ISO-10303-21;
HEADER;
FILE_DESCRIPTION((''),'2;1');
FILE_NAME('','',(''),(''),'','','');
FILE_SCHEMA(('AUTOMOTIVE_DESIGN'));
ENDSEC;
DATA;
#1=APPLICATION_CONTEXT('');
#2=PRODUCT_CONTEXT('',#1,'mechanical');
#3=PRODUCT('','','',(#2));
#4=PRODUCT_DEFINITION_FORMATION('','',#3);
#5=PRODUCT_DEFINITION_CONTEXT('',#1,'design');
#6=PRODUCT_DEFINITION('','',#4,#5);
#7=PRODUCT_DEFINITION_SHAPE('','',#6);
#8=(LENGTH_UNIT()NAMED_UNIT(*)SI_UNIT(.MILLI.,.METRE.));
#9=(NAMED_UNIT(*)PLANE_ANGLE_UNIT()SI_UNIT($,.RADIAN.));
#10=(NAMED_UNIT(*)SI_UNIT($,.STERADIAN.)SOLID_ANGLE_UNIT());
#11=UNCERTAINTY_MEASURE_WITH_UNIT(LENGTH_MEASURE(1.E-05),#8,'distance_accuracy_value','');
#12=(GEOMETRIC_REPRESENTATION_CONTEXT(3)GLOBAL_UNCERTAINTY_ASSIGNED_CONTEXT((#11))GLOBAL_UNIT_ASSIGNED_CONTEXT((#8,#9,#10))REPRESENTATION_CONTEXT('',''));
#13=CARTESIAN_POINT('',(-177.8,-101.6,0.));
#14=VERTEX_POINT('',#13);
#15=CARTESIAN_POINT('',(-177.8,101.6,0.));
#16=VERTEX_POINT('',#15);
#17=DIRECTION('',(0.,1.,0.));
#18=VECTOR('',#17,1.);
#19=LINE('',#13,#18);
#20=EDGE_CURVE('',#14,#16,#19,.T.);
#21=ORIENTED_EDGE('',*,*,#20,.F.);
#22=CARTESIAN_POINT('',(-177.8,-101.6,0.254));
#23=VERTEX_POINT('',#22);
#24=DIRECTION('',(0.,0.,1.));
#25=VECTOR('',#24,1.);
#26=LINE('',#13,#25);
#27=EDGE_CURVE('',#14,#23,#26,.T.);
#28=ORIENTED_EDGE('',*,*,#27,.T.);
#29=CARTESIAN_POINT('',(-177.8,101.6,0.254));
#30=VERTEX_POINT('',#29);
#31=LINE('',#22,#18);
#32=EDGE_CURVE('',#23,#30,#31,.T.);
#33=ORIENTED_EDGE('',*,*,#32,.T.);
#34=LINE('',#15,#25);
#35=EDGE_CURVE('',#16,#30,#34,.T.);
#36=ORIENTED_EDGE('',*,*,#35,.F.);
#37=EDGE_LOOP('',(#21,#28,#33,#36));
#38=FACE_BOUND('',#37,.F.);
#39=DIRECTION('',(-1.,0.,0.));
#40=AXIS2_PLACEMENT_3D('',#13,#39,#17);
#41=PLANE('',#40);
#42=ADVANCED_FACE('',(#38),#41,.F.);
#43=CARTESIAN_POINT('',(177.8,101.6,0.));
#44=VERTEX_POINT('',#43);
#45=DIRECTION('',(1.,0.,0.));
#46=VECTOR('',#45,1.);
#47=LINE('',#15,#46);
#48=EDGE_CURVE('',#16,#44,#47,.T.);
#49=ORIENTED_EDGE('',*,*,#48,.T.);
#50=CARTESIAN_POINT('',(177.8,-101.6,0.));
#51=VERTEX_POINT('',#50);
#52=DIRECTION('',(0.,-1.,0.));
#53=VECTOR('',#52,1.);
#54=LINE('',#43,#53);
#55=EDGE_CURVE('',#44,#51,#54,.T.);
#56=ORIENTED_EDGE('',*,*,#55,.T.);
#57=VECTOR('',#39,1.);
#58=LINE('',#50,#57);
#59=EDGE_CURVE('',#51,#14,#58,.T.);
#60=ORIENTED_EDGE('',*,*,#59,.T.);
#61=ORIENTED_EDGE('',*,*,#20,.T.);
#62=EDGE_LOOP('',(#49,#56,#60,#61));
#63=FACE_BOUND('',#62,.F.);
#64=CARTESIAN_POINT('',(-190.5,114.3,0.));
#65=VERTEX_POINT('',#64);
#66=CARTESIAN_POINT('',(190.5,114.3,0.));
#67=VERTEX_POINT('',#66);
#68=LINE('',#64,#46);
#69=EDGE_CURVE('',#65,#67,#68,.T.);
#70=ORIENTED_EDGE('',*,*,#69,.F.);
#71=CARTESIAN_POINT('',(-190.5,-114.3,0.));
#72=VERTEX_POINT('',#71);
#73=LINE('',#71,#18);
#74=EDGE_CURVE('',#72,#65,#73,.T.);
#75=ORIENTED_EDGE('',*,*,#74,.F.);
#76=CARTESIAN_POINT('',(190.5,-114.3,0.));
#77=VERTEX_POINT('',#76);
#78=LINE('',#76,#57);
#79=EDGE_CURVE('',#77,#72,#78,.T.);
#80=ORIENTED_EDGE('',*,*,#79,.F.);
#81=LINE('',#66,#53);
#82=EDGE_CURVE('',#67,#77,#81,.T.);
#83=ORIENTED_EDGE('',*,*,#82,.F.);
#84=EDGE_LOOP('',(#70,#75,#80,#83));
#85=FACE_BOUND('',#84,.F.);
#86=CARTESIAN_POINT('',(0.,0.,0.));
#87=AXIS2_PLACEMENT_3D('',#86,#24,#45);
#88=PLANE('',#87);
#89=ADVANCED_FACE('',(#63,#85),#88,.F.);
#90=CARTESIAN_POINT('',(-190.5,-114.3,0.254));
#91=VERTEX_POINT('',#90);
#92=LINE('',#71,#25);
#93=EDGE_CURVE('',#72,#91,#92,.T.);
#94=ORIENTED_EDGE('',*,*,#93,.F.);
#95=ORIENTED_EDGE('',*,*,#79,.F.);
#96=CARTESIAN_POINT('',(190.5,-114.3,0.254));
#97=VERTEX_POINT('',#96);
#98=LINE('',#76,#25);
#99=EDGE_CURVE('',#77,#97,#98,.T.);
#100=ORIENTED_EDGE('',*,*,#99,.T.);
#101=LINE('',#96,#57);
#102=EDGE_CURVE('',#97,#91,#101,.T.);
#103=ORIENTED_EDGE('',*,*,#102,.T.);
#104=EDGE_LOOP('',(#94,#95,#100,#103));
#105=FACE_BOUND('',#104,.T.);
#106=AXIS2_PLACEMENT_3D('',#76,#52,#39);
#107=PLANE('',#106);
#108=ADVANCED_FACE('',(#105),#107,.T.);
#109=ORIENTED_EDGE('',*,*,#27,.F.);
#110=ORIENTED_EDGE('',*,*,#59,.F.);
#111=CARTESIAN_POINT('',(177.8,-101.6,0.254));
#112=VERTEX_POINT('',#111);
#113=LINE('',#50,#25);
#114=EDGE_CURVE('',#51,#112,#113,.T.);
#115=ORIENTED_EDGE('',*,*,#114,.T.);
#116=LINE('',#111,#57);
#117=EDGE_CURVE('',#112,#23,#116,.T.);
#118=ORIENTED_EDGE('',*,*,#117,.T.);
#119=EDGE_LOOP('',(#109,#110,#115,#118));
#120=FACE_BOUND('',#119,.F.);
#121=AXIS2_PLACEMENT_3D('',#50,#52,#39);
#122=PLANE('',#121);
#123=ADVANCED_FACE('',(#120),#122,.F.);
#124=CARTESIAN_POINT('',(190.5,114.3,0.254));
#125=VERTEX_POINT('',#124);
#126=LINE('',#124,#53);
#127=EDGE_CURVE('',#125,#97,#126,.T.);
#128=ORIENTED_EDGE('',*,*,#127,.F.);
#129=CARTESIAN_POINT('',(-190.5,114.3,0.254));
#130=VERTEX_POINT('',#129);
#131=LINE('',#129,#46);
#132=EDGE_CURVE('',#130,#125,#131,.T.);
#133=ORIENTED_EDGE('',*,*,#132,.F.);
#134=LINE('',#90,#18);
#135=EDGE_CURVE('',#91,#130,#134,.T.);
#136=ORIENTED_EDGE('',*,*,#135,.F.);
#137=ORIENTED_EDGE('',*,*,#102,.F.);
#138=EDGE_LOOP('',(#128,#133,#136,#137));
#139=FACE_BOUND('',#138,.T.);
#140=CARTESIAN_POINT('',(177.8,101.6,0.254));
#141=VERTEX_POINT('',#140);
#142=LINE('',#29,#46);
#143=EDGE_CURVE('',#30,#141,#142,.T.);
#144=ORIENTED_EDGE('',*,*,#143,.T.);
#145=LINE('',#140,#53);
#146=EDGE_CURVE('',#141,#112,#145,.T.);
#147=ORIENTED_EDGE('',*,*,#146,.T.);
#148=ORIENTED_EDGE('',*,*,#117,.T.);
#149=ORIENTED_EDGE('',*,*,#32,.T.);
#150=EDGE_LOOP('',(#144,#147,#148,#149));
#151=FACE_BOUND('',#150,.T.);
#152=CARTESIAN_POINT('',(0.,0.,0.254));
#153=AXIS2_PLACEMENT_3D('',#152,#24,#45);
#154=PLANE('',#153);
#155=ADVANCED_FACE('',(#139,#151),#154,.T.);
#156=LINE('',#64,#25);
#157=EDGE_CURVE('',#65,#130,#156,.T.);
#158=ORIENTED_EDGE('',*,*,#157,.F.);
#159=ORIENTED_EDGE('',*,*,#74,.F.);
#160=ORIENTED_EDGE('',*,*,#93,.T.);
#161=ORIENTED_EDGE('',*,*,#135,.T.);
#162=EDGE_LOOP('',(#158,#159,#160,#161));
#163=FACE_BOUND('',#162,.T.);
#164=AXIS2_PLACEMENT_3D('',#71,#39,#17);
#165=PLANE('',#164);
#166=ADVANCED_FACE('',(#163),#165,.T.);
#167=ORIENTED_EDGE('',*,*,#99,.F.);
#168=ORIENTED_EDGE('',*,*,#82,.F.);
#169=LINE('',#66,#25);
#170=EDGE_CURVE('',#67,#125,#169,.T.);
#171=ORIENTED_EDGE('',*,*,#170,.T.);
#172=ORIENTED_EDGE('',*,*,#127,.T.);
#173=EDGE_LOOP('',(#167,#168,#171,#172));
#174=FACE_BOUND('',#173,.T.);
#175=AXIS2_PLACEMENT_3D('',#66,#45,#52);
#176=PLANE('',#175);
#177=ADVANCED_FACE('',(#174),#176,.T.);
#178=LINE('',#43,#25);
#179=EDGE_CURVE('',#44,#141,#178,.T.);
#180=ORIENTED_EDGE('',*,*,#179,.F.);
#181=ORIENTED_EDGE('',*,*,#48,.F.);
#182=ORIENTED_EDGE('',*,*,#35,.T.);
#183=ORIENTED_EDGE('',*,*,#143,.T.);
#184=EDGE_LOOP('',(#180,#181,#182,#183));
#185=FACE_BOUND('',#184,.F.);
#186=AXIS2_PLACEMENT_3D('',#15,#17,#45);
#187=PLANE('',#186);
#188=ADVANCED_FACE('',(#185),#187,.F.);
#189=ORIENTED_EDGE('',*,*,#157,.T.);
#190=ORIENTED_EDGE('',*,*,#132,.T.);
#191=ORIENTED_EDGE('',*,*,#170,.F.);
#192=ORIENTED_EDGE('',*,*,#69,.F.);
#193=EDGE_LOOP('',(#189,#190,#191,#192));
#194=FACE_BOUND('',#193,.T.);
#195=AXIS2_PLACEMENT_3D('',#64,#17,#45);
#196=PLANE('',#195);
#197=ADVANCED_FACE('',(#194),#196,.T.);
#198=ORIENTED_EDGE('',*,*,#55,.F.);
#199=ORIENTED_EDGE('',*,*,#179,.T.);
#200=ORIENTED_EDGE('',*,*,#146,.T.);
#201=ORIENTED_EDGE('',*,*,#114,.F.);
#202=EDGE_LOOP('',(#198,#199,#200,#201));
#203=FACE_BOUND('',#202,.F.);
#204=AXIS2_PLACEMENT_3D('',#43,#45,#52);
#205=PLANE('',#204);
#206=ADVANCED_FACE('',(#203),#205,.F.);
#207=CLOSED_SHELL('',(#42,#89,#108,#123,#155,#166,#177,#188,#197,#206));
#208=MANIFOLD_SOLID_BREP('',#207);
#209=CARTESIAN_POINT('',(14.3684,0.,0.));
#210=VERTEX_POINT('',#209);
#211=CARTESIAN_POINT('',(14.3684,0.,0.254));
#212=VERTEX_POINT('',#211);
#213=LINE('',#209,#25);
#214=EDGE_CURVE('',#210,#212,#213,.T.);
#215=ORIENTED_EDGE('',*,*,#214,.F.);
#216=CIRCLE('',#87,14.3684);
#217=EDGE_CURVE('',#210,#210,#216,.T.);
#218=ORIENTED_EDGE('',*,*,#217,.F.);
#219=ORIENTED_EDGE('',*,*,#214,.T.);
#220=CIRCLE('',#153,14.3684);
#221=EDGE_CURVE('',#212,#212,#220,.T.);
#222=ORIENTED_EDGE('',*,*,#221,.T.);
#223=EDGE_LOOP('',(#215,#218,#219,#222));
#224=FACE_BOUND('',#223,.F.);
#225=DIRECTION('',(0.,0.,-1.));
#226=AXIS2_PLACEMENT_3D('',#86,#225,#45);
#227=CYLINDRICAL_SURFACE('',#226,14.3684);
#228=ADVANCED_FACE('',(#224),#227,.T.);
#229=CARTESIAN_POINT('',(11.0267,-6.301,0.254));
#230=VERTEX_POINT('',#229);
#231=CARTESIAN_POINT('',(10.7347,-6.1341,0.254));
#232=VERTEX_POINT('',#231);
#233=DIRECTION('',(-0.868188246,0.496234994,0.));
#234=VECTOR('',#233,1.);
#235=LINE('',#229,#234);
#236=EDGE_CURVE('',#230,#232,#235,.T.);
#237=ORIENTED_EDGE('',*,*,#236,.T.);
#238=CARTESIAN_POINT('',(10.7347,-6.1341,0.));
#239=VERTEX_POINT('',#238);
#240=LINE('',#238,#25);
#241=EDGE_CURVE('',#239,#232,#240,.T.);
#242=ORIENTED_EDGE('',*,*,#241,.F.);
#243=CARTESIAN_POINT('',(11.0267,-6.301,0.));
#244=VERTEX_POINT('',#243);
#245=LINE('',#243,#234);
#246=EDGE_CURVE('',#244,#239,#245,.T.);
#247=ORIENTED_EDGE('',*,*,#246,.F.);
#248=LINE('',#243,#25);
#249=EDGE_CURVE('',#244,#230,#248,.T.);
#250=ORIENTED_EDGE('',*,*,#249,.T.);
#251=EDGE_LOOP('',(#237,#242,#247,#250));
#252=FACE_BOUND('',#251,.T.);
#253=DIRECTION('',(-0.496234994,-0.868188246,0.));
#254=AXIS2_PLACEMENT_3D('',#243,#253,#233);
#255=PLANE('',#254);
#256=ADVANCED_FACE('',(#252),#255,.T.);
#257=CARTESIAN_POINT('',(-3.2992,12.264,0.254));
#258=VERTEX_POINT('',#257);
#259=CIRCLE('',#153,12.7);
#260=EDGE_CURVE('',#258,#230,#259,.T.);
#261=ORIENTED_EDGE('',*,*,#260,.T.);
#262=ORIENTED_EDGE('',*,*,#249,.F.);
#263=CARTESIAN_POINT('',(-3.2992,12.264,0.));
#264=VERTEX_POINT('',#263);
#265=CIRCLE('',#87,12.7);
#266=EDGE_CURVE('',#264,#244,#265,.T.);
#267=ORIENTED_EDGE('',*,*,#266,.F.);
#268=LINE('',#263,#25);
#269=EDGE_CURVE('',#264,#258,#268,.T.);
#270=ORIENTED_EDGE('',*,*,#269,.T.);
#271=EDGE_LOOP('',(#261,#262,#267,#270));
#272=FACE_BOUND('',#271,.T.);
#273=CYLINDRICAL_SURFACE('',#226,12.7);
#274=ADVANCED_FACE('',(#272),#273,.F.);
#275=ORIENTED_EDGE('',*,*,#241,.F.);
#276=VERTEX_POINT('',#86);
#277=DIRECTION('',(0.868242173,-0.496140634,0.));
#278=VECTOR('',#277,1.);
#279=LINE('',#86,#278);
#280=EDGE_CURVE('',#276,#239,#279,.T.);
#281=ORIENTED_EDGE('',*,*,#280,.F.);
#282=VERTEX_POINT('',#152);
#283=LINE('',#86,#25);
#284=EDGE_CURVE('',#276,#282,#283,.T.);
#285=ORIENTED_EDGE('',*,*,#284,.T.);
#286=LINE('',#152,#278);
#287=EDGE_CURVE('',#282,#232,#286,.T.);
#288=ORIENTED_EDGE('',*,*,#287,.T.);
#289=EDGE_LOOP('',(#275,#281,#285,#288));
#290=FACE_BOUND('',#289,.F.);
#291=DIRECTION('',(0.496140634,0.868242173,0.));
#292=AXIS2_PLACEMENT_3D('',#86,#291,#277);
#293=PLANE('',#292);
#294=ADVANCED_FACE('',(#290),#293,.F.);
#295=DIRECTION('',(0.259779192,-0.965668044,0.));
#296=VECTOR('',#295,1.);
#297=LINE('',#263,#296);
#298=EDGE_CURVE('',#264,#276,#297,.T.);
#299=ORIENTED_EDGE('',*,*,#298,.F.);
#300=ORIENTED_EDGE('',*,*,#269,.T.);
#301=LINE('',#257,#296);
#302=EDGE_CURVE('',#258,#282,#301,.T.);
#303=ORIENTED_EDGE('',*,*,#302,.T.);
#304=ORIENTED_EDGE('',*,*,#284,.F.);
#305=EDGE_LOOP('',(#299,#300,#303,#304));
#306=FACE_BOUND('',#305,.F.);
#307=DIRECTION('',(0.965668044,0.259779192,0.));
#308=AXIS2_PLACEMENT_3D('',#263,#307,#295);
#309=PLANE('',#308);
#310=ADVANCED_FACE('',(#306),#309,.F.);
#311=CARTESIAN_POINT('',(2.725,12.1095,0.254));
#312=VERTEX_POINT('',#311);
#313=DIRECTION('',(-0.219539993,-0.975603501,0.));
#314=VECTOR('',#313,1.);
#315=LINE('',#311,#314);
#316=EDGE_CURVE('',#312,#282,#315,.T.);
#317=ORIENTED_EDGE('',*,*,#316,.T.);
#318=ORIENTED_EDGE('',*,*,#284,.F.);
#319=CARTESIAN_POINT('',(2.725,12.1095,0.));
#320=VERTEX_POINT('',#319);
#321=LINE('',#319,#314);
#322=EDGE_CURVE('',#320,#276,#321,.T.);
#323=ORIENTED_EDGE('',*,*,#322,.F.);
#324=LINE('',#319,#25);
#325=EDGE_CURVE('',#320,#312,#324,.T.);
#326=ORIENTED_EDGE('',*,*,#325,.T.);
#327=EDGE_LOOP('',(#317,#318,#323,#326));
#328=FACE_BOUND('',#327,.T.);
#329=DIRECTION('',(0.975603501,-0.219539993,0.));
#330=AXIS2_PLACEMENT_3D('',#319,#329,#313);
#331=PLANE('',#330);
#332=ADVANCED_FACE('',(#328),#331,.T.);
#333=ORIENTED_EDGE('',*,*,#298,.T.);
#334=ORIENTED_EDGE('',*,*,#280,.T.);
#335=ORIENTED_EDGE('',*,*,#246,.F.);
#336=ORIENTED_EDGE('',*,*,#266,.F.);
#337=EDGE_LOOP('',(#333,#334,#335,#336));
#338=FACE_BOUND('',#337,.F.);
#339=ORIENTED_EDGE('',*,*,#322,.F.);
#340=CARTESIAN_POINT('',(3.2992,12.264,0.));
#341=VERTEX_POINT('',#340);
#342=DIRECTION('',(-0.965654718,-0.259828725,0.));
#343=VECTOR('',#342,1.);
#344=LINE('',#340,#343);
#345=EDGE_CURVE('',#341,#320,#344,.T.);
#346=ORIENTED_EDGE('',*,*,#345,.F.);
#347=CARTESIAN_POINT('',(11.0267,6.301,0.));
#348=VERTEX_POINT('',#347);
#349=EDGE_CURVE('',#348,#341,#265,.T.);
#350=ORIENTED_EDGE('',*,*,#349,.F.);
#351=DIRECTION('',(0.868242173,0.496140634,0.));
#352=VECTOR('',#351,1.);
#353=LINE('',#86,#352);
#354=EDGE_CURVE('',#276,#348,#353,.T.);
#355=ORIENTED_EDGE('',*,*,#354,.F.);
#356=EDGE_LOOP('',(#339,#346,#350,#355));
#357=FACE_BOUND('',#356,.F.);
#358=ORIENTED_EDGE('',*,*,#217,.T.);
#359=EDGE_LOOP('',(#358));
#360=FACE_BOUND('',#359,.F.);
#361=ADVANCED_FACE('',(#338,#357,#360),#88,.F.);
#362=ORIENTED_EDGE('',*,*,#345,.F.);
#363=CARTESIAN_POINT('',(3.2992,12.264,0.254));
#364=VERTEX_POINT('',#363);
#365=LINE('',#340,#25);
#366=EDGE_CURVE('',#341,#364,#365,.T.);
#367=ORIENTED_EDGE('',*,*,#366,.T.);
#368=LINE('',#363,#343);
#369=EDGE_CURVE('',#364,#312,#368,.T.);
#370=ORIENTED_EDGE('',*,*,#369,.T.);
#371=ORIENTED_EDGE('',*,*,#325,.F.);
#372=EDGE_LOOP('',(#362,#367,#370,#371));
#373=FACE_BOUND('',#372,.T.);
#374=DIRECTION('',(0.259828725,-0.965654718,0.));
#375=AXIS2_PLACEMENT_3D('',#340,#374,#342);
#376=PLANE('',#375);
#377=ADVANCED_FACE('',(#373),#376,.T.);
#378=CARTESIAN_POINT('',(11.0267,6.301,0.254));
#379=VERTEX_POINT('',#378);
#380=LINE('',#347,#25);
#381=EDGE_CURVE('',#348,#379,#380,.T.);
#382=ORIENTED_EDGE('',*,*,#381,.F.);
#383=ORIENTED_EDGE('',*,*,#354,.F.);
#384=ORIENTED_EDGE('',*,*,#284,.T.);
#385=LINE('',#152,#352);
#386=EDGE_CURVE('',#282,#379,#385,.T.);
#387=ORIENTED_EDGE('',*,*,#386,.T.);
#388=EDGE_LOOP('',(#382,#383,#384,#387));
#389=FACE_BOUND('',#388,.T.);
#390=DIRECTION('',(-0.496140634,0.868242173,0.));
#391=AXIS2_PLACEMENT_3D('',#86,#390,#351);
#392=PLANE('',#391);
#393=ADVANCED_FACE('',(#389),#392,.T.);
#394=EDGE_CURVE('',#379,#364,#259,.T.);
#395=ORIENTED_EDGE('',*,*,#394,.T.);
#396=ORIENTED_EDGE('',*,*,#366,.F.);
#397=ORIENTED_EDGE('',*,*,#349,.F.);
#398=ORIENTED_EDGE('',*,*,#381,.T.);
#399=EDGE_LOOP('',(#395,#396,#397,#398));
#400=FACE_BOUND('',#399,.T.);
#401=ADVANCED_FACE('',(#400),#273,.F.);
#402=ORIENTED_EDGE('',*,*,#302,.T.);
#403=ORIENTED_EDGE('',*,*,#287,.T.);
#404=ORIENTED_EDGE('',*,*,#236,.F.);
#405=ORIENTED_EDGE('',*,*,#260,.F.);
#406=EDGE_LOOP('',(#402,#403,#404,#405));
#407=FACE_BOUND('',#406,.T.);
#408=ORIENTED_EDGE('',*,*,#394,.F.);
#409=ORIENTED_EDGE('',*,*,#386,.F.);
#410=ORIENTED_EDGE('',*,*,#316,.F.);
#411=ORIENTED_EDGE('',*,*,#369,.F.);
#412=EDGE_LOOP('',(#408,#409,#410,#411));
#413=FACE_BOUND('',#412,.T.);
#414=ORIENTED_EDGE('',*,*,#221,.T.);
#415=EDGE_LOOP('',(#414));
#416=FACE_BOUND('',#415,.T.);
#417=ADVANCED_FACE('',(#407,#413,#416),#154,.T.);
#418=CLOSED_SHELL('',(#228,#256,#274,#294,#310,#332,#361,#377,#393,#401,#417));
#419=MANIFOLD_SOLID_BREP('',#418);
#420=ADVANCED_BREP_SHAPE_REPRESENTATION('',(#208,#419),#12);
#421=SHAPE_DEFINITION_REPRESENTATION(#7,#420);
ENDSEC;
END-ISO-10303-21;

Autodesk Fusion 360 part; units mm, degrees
sketch "Sketch1" plane through (0, 0, 0) normal (0, 0, 1) x (1, 0, 0)
  line L0 (-177.8, 101.6) -> (177.8, 101.6)
  line L1 (177.8, 101.6) -> (177.8, -101.6)
  line L2 (177.8, -101.6) -> (-177.8, -101.6)
  line L3 (-177.8, -101.6) -> (-177.8, 101.6)
  line L4 (-177.8, 101.6) -> (177.8, -101.6) construction
  line L5 (177.8, 101.6) -> (-177.8, -101.6) construction
  circle A0 centre (0, 0) radius 12.7
  line L6 (11.0267, -6.301) -> (10.7347, -6.1341)
  line L7 (0, 0) -> (11.0267, -6.301)
  line L8 (0, 0) -> (11.0267, 6.301)
  line L9 (-3.2992, 12.264) -> (0, 0)
  line L10 (3.2992, 12.264) -> (2.725, 12.1095)
  line L11 (2.725, 12.1095) -> (0, 0)
  circle A1 centre (0, 0) radius 14.3684
  line L12 (190.5, -114.3) -> (-190.5, -114.3)
  line L13 (-190.5, -114.3) -> (-190.5, 114.3)
  line L14 (-190.5, 114.3) -> (190.5, 114.3)
  line L15 (190.5, 114.3) -> (190.5, -114.3)
  dimension "d1" = 355.6
  dimension "d2" = 203.2
  dimension "d3" = -12.7
extrude "Extrude1" add sketch "Sketch1" along normal blind 0.254 contours A0 L6 L7 L8 | A0 L9 L10 L11 | A1 | L12 L13 L14 L15 makes body 1 at (8.465, -2.1003, 0) makes body 2 at (-59.2667, -110.0667, 0)
